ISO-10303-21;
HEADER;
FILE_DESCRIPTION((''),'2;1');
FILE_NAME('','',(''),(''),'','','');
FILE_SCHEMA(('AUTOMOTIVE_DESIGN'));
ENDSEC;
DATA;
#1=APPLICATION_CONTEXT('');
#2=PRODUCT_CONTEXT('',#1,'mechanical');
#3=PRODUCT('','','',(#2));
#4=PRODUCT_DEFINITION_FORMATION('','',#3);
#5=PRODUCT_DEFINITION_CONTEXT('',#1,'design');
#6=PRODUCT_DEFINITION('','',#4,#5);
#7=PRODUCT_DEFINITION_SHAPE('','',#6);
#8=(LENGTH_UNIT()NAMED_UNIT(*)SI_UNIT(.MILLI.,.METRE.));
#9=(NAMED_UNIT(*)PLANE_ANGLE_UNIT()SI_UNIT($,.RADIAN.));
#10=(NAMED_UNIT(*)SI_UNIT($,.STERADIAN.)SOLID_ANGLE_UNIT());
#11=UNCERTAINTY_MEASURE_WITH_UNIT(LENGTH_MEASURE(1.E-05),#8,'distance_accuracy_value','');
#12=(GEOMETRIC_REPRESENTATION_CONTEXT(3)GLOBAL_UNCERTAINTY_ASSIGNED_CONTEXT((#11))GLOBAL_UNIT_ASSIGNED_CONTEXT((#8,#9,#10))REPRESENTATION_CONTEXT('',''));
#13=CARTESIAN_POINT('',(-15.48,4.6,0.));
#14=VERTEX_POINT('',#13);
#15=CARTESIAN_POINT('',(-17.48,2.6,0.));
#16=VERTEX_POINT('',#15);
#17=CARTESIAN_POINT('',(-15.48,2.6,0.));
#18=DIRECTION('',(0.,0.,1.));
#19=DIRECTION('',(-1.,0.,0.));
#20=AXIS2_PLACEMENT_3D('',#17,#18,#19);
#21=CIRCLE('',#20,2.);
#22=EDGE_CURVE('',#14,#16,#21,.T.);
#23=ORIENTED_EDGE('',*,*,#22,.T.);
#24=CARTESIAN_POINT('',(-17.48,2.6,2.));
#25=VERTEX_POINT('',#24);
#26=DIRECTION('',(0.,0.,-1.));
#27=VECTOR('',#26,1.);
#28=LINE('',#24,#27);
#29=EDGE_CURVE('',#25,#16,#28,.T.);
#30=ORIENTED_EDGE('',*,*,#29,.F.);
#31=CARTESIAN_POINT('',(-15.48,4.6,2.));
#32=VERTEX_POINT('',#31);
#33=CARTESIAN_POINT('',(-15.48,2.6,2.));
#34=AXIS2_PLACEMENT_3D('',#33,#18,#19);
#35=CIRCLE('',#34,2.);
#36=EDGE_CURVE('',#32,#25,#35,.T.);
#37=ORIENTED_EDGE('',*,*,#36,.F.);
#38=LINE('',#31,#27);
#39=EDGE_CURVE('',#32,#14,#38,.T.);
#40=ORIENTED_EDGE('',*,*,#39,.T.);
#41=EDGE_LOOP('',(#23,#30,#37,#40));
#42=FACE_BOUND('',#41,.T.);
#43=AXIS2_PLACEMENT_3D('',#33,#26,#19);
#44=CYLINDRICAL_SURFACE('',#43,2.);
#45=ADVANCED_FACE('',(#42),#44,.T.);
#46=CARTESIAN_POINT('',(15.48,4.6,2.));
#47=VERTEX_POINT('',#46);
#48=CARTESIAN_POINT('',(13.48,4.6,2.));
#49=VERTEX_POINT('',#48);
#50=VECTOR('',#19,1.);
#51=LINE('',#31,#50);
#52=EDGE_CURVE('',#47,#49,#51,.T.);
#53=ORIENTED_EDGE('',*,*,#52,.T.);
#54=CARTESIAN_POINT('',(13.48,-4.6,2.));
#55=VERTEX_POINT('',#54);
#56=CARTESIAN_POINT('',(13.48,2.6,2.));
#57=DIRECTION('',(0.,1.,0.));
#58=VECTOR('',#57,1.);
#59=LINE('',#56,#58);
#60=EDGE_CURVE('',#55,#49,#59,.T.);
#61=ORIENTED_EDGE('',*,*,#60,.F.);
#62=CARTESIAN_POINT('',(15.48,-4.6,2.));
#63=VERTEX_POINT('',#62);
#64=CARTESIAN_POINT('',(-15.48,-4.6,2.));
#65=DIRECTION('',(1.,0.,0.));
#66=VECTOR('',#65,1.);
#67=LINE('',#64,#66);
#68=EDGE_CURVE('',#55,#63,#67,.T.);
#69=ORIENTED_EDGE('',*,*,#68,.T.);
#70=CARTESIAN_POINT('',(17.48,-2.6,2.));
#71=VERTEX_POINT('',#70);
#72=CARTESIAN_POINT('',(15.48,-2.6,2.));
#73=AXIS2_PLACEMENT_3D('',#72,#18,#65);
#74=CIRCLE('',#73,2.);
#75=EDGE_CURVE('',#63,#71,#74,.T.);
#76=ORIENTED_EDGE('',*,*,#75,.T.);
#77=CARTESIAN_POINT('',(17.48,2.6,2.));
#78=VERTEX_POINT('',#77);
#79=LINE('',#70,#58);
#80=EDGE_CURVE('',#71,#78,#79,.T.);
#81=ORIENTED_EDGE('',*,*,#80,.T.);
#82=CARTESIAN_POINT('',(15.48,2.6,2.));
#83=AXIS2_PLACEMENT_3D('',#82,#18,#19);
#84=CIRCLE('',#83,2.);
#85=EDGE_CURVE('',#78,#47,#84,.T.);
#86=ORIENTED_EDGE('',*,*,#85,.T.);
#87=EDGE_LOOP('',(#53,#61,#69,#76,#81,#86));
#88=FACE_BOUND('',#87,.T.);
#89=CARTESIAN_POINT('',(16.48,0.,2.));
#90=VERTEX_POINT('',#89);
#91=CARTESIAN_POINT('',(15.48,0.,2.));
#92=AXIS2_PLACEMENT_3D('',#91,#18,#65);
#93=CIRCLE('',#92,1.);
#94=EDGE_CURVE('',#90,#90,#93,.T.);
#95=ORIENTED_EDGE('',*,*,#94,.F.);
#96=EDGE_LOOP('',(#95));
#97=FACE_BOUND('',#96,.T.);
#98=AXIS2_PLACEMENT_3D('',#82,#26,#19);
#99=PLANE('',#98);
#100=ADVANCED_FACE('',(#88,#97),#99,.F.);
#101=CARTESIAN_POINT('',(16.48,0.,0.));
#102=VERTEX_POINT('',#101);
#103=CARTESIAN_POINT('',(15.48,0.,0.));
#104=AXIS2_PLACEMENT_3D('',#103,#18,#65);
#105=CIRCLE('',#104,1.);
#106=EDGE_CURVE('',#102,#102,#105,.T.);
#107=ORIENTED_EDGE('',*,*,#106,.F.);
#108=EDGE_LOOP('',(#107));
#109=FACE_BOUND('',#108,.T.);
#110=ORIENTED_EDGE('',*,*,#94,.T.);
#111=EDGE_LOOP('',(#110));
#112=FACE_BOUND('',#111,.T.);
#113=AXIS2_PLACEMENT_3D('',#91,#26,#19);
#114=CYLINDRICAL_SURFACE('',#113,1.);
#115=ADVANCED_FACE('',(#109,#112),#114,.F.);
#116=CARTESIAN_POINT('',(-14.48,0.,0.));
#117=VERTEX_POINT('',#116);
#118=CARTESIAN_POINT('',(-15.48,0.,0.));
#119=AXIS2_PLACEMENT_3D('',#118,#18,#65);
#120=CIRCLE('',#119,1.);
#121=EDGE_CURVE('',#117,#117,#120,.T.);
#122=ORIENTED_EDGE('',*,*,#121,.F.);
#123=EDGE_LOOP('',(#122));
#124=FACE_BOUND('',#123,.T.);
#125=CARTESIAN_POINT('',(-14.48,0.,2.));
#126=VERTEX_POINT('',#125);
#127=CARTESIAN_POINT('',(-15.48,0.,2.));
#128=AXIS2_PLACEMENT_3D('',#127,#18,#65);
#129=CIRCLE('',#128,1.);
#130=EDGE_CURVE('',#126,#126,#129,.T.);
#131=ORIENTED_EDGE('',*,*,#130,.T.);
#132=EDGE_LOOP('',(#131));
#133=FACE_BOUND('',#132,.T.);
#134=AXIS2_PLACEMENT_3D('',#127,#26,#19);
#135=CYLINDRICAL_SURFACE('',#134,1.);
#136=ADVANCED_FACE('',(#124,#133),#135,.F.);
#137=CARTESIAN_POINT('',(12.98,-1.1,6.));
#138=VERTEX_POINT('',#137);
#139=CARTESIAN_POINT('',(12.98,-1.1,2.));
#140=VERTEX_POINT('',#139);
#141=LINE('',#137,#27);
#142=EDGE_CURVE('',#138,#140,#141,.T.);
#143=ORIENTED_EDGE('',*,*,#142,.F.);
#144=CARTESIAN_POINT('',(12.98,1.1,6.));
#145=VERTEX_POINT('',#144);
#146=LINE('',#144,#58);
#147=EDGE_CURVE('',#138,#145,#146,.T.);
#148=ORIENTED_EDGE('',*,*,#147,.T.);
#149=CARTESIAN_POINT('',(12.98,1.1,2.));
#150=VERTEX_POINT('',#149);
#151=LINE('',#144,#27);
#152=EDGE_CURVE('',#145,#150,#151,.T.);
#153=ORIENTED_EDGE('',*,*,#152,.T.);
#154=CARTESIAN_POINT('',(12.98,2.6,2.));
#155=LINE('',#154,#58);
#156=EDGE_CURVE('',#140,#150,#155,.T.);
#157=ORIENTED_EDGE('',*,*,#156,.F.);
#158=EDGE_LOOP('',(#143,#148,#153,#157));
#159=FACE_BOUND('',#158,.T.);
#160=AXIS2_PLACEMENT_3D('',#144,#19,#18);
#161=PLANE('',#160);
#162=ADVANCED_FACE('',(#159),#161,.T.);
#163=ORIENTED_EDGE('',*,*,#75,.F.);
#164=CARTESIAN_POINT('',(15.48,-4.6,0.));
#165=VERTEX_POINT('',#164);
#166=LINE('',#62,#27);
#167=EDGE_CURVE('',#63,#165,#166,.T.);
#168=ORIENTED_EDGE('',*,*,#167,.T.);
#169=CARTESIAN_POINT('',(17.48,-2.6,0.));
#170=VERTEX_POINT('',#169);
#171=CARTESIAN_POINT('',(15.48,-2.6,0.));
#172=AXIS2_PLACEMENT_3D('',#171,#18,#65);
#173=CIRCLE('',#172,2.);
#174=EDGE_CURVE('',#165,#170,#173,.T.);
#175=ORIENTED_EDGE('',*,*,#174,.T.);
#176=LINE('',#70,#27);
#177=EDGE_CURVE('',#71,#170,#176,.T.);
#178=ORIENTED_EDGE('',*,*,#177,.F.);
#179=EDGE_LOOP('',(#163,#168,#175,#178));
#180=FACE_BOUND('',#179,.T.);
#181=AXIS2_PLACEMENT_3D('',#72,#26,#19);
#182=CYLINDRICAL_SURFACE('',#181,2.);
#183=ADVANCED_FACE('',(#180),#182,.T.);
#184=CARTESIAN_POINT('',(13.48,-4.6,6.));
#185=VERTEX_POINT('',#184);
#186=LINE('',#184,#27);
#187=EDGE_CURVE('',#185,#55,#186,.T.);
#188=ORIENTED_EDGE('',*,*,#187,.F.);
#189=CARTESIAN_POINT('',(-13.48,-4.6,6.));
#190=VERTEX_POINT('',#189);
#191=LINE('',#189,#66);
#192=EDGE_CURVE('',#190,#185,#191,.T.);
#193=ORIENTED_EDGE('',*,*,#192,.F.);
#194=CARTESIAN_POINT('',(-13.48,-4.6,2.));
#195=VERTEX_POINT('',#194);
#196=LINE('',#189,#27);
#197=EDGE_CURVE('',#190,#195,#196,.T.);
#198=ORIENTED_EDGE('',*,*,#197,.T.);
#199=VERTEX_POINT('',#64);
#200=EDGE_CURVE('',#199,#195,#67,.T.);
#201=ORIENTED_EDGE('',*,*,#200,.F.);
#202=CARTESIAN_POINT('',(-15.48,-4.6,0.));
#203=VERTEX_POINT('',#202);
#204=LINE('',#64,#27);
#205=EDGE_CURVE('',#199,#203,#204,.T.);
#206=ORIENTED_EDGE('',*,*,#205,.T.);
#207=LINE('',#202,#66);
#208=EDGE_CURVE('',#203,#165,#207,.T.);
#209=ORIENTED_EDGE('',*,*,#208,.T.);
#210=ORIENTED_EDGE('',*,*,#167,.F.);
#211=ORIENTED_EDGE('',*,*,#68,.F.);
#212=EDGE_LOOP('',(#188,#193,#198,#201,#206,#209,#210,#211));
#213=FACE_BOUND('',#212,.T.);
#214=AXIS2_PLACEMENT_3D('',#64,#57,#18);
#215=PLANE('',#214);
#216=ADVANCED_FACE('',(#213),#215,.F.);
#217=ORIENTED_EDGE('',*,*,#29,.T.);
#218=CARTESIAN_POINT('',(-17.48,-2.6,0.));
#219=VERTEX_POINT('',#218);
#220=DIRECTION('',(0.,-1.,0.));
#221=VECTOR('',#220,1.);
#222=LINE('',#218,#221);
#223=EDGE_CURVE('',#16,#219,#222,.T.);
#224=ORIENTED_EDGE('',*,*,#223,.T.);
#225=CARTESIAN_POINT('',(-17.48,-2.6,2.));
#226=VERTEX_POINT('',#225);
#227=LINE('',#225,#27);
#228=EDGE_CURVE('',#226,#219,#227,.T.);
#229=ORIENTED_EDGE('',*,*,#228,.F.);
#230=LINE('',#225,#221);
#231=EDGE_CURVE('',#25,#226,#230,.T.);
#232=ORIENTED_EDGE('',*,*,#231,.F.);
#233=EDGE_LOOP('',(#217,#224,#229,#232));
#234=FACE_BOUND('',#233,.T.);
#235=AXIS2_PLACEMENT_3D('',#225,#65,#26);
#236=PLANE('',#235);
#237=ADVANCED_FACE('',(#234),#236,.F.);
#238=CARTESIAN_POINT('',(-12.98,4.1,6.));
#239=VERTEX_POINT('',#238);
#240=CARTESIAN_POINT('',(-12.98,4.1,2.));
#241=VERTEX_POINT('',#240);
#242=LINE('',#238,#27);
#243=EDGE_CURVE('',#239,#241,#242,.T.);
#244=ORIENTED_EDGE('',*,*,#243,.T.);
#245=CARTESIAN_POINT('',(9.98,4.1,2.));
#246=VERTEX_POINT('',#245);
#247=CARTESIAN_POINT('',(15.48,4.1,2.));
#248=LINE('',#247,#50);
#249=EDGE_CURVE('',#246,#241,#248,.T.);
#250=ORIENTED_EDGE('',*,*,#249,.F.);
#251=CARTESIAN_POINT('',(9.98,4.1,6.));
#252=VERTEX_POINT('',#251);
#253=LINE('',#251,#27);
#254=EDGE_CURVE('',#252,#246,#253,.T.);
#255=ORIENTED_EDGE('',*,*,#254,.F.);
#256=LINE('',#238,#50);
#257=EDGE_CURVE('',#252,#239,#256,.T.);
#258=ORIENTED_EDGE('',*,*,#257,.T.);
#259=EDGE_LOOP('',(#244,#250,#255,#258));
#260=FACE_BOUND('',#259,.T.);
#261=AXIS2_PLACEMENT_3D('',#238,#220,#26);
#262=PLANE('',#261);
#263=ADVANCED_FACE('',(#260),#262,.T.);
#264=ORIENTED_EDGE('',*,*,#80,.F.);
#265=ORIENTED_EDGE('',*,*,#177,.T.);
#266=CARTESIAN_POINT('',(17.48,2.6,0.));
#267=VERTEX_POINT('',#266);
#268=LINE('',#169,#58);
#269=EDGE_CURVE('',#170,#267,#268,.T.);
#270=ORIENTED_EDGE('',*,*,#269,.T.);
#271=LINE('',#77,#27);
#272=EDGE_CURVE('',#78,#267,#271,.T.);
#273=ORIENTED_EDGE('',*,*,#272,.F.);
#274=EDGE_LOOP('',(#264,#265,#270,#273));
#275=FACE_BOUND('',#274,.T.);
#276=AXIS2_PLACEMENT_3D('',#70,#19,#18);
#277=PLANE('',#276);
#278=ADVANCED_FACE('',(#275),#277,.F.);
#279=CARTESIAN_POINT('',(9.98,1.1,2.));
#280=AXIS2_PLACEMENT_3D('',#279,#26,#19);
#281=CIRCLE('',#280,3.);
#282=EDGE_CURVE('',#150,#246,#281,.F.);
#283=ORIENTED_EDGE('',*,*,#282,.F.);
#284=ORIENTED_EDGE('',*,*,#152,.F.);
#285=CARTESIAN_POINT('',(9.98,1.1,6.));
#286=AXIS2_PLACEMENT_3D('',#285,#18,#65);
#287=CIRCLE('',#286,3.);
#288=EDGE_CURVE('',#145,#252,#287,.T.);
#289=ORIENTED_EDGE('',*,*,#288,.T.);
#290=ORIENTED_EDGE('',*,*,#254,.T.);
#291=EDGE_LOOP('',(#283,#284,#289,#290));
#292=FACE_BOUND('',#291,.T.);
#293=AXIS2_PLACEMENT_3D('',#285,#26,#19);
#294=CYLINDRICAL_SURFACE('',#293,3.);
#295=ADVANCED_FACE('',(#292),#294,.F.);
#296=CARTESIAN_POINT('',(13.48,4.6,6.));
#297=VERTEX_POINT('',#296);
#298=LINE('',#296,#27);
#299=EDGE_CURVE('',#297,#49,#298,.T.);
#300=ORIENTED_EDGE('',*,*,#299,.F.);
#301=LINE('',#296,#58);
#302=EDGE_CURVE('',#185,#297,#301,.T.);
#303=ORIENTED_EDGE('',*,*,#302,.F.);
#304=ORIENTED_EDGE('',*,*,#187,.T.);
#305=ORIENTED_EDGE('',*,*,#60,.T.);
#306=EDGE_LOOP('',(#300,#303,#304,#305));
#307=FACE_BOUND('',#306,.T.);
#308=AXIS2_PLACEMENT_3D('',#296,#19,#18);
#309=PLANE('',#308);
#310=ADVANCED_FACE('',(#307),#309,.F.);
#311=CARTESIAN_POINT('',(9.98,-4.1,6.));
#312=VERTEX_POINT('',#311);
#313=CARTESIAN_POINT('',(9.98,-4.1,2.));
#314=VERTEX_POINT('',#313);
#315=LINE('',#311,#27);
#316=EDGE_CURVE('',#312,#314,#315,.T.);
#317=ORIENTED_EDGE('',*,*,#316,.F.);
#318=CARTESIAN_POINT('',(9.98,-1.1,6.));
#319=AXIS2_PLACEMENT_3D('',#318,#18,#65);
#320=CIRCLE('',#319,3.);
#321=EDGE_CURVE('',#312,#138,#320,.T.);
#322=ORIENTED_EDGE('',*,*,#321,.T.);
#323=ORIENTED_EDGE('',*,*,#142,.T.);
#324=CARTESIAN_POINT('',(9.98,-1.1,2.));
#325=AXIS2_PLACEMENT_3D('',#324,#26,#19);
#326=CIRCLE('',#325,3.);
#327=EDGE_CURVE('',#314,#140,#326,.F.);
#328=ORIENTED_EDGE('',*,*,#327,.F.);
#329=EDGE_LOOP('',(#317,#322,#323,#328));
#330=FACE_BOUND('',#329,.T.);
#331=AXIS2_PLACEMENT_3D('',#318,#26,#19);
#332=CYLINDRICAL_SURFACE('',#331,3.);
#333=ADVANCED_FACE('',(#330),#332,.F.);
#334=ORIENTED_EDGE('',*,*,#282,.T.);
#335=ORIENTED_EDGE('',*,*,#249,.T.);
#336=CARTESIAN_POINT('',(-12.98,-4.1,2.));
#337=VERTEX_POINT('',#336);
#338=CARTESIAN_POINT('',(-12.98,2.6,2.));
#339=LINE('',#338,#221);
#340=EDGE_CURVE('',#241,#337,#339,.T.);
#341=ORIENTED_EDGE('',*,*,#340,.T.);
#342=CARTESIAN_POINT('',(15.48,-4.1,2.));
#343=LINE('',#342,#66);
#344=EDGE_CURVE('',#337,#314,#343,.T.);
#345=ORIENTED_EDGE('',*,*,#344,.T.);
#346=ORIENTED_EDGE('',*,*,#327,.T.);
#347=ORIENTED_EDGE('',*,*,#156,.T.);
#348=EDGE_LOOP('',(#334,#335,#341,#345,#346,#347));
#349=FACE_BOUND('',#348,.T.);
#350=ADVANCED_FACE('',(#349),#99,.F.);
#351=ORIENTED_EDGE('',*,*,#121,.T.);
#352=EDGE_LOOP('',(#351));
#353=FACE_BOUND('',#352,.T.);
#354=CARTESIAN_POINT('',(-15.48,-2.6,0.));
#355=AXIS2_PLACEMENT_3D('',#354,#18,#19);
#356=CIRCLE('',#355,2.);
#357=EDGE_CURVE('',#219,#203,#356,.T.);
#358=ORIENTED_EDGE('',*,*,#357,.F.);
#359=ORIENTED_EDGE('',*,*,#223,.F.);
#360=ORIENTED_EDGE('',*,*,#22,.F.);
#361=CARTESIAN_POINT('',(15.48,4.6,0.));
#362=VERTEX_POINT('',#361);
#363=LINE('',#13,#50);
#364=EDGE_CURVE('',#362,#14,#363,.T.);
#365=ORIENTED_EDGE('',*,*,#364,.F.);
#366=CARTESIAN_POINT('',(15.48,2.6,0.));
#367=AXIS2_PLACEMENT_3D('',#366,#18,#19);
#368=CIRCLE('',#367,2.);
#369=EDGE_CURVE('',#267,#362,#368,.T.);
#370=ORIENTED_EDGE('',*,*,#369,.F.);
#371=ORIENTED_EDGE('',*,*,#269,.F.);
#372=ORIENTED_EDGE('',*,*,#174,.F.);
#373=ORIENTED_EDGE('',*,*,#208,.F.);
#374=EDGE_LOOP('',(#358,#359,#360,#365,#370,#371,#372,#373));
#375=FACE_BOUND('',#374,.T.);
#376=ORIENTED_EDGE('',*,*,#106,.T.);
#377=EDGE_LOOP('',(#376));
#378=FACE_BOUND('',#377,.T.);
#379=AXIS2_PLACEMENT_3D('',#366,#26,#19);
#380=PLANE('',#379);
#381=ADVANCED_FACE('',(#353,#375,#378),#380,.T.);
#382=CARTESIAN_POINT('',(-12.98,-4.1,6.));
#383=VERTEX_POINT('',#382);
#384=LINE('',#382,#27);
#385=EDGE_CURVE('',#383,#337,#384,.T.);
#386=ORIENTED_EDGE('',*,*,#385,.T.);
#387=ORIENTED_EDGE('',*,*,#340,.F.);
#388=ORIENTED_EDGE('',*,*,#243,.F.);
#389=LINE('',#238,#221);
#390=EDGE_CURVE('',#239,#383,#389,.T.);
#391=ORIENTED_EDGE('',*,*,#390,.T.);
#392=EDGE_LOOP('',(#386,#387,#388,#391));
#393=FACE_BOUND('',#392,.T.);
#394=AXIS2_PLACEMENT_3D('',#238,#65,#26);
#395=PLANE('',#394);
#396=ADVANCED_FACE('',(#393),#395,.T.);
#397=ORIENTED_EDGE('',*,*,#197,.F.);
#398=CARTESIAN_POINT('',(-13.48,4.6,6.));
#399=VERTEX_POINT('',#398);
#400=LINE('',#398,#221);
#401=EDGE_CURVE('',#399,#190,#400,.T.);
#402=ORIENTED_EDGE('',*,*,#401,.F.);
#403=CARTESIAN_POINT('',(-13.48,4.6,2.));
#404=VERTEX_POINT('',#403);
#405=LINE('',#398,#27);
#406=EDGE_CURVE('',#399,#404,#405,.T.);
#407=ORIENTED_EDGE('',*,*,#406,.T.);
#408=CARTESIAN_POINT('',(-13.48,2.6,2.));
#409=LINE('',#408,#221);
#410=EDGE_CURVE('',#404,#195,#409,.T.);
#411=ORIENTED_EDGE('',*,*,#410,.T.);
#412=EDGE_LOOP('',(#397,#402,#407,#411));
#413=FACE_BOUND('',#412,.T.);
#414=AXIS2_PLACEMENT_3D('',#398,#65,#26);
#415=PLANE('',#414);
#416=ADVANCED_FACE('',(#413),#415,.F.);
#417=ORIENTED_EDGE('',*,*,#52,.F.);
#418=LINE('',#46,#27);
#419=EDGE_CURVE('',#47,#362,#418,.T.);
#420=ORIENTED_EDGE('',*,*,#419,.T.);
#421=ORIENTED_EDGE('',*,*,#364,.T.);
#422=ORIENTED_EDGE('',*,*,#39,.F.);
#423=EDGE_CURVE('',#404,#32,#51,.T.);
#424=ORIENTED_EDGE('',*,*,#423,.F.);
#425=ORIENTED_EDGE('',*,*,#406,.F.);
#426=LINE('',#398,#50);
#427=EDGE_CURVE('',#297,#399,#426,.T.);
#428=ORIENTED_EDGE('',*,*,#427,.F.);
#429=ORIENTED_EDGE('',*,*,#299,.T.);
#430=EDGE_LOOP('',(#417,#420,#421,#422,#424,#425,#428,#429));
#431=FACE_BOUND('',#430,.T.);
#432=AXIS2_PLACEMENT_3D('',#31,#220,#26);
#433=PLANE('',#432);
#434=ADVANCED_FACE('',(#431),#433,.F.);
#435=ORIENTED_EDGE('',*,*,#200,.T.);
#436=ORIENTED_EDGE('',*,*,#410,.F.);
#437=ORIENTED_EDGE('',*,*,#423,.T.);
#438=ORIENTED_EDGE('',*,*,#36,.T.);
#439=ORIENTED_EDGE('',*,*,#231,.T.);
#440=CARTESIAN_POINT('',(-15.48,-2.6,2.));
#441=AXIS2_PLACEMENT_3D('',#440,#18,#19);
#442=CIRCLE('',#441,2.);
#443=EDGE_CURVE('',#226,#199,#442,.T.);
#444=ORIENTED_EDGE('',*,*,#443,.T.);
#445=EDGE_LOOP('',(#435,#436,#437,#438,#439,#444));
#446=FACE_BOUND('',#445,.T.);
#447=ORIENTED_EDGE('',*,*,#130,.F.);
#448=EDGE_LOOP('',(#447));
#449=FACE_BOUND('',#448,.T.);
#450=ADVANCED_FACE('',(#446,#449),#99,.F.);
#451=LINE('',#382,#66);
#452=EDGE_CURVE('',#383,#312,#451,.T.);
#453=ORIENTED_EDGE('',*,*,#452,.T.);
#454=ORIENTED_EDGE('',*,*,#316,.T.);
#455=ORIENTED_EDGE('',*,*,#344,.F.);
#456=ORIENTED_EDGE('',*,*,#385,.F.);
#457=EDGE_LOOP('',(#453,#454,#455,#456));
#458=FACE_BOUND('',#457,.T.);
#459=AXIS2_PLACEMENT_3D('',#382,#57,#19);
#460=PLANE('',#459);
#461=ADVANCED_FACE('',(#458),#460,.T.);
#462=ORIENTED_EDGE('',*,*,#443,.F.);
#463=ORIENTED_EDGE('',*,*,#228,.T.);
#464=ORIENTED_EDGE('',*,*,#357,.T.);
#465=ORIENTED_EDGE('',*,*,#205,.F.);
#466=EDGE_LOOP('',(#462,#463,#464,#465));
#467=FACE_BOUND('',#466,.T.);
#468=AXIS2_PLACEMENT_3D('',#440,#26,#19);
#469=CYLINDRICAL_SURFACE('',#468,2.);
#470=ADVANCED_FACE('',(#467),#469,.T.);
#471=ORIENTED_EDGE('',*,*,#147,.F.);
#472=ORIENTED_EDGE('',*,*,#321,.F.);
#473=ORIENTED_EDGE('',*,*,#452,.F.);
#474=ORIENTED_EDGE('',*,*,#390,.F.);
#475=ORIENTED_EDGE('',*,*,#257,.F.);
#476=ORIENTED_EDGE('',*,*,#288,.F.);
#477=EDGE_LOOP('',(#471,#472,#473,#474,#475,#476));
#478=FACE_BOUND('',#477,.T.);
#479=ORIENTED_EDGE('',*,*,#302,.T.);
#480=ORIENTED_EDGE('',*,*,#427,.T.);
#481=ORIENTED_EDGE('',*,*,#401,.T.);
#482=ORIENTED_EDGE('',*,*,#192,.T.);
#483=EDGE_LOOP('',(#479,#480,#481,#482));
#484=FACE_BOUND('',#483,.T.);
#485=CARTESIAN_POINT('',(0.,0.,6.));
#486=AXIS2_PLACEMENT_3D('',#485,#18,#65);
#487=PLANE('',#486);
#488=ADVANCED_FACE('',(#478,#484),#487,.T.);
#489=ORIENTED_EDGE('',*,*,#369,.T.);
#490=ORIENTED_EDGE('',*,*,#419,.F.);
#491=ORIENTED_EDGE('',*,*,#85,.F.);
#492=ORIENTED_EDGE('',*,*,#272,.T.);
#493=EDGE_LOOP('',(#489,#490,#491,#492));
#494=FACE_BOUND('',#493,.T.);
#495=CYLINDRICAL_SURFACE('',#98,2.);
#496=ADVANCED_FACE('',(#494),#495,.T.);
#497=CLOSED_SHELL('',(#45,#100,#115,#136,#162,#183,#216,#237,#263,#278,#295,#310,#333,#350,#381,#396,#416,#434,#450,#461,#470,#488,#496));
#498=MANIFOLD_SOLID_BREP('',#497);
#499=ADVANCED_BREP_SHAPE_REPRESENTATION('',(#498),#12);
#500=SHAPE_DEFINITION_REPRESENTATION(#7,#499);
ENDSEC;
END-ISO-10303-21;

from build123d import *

# Parameters (mm, degrees)
SKETCH1_R           = 1
BOSS_EXTRUDE1_DEPTH = 2
SKETCH2_W           = 26.96
SKETCH2_H           = 9.2
BOSS_EXTRUDE2_DEPTH = 6


with BuildPart() as part:
    # Sketch1 → Boss-Extrude1 (new body)
    with BuildSketch(Plane.XY):
        with BuildLine():
            Line((-15.48, -4.6), (15.48, -4.6))
            ThreePointArc((15.48, -4.6), (16.894213562, -4.014213562), (17.48, -2.6))
            Line((17.48, -2.6), (17.48, 2.6))
            ThreePointArc((17.48, 2.6), (16.894213562, 4.014213562), (15.48, 4.6))
            Line((15.48, 4.6), (-15.48, 4.6))
            ThreePointArc((-15.48, 4.6), (-16.894213562, 4.014213562), (-17.48, 2.6))
            Line((-17.48, 2.6), (-17.48, -2.6))
            ThreePointArc((-17.48, -2.6), (-16.894213562, -4.014213562), (-15.48, -4.6))
        make_face()
        with Locations((-15.48, 0)):
            Circle(SKETCH1_R, mode=Mode.SUBTRACT)
        with Locations((15.48, 0)):
            Circle(SKETCH1_R, mode=Mode.SUBTRACT)
    extrude(amount=BOSS_EXTRUDE1_DEPTH)

    # Sketch2 → Boss-Extrude2 (add)
    with BuildSketch(Plane.XY):
        Rectangle(SKETCH2_W, SKETCH2_H)
        with BuildLine():
            Line((-12.98, 4.1), (-12.98, -4.1))
            Line((-12.98, -4.1), (9.98, -4.1))
            ThreePointArc((9.98, -4.1), (12.101320344, -3.221320344), (12.98, -1.1))
            Line((12.98, -1.1), (12.98, 1.1))
            ThreePointArc((12.98, 1.1), (12.101320344, 3.221320344), (9.98, 4.1))
            Line((9.98, 4.1), (-12.98, 4.1))
        make_face(mode=Mode.SUBTRACT)
    extrude(amount=BOSS_EXTRUDE2_DEPTH)


solid = part.part
